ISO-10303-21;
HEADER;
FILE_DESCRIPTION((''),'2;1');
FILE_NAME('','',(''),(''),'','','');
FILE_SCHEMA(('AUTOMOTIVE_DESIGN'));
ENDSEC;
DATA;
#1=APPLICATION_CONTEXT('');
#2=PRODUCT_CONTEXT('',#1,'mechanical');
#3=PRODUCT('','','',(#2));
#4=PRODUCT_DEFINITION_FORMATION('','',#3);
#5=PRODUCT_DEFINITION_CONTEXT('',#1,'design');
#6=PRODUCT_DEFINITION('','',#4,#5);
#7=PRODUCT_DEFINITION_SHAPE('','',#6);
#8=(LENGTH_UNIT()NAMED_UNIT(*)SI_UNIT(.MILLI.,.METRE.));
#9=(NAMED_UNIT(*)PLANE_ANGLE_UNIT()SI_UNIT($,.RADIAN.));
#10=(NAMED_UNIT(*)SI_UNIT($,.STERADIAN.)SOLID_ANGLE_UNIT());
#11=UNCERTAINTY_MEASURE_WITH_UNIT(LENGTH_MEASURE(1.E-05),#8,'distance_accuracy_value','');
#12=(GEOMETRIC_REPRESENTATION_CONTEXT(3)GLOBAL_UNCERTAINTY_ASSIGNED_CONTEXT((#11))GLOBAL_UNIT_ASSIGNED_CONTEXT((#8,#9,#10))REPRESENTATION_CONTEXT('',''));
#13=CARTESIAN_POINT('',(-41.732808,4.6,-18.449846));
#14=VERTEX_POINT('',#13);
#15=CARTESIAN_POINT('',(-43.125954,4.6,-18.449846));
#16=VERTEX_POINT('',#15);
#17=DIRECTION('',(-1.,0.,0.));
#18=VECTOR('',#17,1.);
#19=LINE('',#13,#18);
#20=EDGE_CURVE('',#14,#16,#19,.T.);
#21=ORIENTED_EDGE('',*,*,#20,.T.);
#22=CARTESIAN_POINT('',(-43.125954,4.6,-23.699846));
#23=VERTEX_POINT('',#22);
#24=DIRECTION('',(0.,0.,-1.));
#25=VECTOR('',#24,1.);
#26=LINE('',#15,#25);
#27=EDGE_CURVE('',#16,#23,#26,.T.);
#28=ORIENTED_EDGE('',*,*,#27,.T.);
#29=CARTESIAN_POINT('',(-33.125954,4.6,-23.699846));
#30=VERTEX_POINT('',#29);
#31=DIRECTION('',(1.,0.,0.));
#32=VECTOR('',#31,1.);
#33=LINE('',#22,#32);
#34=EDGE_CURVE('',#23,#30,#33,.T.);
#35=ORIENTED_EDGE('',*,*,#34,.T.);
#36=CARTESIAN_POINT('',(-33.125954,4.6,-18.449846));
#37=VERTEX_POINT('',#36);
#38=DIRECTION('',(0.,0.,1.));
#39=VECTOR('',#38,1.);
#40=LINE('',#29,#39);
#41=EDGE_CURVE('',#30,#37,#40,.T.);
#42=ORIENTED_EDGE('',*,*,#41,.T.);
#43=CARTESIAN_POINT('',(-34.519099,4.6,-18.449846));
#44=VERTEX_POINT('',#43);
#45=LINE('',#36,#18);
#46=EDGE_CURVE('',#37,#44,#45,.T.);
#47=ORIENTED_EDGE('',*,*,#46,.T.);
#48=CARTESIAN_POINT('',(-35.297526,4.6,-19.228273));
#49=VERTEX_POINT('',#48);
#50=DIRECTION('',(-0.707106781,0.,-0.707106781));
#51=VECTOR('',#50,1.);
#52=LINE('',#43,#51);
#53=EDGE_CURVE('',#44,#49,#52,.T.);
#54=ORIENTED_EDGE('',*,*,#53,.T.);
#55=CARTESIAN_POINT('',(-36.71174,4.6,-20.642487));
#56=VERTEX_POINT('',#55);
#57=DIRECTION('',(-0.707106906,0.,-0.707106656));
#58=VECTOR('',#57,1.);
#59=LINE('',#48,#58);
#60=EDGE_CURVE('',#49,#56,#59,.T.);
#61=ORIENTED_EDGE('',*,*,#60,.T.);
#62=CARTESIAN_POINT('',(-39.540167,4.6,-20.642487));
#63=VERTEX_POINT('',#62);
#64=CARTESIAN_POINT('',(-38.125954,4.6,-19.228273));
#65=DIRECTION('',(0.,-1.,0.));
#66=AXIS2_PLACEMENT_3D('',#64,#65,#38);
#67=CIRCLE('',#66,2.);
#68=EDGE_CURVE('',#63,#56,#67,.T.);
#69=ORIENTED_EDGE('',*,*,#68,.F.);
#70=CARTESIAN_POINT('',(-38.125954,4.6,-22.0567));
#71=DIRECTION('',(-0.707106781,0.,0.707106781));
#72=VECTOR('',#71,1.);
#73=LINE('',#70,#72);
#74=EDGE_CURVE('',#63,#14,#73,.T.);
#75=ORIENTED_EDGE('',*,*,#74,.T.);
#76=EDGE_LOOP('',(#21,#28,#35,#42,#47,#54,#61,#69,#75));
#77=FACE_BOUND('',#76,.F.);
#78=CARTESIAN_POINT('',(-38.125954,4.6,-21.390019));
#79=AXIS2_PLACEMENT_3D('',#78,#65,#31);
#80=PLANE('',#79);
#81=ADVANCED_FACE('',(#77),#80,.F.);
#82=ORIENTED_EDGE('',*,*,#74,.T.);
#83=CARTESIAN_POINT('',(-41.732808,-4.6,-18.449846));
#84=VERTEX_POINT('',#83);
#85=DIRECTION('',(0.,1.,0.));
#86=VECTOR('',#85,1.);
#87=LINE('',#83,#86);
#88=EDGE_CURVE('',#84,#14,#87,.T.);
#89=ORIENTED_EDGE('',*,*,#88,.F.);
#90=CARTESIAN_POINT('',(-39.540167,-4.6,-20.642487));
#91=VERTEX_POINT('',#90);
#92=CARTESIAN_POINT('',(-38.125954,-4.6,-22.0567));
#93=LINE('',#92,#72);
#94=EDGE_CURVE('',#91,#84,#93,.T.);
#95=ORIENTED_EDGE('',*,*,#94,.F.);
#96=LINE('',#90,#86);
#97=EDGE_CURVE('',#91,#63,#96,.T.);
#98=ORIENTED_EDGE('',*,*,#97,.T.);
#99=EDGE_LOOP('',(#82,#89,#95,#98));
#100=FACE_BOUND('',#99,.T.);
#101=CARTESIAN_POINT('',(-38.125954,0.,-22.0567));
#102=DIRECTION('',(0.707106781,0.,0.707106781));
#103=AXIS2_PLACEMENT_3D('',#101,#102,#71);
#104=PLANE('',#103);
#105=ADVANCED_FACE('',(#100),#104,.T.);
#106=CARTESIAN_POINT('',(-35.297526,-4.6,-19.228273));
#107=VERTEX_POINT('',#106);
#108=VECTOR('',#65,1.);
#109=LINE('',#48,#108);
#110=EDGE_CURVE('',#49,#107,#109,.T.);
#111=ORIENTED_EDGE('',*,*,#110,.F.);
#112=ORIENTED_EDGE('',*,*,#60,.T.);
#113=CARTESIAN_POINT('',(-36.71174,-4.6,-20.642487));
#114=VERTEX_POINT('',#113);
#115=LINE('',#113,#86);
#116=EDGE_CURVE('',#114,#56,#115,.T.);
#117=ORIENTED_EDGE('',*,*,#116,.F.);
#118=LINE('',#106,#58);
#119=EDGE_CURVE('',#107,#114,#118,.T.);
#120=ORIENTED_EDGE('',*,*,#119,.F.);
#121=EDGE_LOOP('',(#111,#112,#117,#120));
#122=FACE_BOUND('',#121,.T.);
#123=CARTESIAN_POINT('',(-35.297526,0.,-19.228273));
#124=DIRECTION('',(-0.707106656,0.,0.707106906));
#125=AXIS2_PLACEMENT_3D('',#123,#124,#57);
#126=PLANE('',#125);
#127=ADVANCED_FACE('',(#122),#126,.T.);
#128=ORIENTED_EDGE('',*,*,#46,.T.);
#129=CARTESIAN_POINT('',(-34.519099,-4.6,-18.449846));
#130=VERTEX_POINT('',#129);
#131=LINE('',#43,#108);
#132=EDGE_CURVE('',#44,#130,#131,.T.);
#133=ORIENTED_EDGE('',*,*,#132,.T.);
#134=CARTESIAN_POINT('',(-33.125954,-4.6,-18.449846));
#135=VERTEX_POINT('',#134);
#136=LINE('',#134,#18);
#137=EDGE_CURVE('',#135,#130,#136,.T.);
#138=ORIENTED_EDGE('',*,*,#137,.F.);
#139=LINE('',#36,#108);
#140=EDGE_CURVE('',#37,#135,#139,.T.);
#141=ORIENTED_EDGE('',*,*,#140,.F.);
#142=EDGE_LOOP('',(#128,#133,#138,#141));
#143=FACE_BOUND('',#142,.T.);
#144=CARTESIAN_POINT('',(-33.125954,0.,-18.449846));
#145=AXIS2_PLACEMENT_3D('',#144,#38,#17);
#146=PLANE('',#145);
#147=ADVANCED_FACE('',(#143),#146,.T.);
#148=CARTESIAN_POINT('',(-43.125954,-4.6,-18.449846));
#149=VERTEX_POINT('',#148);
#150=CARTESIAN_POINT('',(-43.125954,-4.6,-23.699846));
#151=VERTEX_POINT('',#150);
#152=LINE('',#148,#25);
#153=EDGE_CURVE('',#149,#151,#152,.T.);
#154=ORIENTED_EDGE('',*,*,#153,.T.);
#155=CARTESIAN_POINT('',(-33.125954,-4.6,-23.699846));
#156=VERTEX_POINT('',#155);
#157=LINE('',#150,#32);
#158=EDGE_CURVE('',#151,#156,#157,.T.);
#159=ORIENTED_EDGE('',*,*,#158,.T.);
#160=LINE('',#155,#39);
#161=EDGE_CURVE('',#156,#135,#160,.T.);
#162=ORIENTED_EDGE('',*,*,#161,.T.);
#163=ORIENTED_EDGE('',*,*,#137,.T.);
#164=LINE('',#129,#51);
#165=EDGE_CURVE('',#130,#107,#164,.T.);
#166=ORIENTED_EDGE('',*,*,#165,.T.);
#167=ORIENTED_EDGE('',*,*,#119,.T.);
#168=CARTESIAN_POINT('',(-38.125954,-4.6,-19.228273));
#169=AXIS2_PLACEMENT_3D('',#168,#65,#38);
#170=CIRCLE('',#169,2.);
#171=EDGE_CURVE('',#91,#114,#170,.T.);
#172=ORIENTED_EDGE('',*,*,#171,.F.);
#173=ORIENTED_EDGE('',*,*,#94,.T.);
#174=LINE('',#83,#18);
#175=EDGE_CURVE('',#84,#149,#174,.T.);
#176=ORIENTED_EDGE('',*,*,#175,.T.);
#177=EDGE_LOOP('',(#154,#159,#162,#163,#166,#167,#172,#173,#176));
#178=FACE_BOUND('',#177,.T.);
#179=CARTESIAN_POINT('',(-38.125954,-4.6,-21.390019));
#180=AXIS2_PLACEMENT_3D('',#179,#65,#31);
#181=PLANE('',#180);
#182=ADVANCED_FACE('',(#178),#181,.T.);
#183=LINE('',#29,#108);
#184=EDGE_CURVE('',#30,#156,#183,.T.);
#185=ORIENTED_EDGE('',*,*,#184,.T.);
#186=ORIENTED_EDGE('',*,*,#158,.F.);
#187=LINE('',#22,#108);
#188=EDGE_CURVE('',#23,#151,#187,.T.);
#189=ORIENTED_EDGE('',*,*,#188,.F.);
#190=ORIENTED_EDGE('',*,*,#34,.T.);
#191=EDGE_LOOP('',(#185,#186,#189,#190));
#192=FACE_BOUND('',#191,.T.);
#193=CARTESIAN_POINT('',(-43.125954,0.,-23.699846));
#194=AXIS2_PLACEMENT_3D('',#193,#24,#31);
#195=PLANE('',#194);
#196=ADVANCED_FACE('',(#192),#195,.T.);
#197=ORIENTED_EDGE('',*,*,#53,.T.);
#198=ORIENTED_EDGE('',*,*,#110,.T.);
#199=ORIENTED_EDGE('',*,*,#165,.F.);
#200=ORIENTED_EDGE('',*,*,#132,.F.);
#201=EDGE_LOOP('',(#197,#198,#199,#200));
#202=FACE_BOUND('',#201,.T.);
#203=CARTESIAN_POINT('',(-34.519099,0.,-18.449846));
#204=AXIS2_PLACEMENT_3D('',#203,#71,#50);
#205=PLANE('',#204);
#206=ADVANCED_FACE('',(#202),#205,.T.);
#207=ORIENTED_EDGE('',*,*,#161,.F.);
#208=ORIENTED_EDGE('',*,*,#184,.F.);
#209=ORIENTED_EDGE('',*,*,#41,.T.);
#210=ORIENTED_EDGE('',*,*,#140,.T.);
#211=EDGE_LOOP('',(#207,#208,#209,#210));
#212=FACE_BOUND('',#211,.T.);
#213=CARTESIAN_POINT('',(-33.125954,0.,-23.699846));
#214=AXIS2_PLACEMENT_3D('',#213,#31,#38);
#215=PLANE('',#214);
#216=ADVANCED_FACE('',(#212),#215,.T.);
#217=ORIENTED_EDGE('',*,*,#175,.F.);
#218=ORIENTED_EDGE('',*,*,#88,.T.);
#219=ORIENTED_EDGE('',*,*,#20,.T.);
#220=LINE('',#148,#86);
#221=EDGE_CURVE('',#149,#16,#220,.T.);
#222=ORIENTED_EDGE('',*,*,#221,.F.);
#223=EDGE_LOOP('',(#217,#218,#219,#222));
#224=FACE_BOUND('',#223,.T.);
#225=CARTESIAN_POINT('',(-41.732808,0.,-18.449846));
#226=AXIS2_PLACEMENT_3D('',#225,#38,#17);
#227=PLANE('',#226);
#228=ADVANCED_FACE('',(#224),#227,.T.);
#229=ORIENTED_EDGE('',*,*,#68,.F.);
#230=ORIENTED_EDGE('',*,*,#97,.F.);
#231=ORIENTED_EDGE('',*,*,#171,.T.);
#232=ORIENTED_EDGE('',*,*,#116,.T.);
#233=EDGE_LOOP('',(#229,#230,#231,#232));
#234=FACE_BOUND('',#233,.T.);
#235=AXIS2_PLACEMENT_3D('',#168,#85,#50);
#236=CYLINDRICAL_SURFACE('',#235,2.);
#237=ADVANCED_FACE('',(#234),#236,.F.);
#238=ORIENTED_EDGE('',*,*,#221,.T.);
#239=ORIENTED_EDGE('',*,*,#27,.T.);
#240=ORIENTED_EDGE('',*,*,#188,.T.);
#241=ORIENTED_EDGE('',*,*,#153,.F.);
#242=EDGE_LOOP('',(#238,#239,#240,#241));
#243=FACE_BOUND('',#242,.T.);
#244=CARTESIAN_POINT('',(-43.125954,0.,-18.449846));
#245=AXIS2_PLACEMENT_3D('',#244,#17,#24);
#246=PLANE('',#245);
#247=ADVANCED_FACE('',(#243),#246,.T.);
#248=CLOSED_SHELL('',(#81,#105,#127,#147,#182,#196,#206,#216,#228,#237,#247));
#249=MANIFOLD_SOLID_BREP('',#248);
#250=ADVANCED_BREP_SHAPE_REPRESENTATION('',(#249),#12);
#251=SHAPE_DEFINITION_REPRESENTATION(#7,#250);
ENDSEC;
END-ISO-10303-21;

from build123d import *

# Parameters (mm, degrees)
F1_DEPTH = 4.6
F2_R     = 2


with BuildPart() as f1:
    # F0 (on Front) → F1 (new body, symmetric)
    with BuildSketch(Plane.XZ):
        Polygon((-43.125954, -18.449846), (-43.125954, -23.699846), (-33.125954, -23.699846), (-33.125954, -18.449846), (-34.519099, -18.449846), (-35.297526, -19.228273), (-38.125954, -22.0567), (-40.954381, -19.228273), (-41.732808, -18.449846), align=None)
    extrude(amount=F1_DEPTH, both=True)

    # F2
    f2_edges = [f1.edges().sort_by_distance(p)[0] for p in [
        (-38.125954, 0, -22.0567),
    ]]
    fillet(f2_edges, radius=F2_R)


solid = f1.part
